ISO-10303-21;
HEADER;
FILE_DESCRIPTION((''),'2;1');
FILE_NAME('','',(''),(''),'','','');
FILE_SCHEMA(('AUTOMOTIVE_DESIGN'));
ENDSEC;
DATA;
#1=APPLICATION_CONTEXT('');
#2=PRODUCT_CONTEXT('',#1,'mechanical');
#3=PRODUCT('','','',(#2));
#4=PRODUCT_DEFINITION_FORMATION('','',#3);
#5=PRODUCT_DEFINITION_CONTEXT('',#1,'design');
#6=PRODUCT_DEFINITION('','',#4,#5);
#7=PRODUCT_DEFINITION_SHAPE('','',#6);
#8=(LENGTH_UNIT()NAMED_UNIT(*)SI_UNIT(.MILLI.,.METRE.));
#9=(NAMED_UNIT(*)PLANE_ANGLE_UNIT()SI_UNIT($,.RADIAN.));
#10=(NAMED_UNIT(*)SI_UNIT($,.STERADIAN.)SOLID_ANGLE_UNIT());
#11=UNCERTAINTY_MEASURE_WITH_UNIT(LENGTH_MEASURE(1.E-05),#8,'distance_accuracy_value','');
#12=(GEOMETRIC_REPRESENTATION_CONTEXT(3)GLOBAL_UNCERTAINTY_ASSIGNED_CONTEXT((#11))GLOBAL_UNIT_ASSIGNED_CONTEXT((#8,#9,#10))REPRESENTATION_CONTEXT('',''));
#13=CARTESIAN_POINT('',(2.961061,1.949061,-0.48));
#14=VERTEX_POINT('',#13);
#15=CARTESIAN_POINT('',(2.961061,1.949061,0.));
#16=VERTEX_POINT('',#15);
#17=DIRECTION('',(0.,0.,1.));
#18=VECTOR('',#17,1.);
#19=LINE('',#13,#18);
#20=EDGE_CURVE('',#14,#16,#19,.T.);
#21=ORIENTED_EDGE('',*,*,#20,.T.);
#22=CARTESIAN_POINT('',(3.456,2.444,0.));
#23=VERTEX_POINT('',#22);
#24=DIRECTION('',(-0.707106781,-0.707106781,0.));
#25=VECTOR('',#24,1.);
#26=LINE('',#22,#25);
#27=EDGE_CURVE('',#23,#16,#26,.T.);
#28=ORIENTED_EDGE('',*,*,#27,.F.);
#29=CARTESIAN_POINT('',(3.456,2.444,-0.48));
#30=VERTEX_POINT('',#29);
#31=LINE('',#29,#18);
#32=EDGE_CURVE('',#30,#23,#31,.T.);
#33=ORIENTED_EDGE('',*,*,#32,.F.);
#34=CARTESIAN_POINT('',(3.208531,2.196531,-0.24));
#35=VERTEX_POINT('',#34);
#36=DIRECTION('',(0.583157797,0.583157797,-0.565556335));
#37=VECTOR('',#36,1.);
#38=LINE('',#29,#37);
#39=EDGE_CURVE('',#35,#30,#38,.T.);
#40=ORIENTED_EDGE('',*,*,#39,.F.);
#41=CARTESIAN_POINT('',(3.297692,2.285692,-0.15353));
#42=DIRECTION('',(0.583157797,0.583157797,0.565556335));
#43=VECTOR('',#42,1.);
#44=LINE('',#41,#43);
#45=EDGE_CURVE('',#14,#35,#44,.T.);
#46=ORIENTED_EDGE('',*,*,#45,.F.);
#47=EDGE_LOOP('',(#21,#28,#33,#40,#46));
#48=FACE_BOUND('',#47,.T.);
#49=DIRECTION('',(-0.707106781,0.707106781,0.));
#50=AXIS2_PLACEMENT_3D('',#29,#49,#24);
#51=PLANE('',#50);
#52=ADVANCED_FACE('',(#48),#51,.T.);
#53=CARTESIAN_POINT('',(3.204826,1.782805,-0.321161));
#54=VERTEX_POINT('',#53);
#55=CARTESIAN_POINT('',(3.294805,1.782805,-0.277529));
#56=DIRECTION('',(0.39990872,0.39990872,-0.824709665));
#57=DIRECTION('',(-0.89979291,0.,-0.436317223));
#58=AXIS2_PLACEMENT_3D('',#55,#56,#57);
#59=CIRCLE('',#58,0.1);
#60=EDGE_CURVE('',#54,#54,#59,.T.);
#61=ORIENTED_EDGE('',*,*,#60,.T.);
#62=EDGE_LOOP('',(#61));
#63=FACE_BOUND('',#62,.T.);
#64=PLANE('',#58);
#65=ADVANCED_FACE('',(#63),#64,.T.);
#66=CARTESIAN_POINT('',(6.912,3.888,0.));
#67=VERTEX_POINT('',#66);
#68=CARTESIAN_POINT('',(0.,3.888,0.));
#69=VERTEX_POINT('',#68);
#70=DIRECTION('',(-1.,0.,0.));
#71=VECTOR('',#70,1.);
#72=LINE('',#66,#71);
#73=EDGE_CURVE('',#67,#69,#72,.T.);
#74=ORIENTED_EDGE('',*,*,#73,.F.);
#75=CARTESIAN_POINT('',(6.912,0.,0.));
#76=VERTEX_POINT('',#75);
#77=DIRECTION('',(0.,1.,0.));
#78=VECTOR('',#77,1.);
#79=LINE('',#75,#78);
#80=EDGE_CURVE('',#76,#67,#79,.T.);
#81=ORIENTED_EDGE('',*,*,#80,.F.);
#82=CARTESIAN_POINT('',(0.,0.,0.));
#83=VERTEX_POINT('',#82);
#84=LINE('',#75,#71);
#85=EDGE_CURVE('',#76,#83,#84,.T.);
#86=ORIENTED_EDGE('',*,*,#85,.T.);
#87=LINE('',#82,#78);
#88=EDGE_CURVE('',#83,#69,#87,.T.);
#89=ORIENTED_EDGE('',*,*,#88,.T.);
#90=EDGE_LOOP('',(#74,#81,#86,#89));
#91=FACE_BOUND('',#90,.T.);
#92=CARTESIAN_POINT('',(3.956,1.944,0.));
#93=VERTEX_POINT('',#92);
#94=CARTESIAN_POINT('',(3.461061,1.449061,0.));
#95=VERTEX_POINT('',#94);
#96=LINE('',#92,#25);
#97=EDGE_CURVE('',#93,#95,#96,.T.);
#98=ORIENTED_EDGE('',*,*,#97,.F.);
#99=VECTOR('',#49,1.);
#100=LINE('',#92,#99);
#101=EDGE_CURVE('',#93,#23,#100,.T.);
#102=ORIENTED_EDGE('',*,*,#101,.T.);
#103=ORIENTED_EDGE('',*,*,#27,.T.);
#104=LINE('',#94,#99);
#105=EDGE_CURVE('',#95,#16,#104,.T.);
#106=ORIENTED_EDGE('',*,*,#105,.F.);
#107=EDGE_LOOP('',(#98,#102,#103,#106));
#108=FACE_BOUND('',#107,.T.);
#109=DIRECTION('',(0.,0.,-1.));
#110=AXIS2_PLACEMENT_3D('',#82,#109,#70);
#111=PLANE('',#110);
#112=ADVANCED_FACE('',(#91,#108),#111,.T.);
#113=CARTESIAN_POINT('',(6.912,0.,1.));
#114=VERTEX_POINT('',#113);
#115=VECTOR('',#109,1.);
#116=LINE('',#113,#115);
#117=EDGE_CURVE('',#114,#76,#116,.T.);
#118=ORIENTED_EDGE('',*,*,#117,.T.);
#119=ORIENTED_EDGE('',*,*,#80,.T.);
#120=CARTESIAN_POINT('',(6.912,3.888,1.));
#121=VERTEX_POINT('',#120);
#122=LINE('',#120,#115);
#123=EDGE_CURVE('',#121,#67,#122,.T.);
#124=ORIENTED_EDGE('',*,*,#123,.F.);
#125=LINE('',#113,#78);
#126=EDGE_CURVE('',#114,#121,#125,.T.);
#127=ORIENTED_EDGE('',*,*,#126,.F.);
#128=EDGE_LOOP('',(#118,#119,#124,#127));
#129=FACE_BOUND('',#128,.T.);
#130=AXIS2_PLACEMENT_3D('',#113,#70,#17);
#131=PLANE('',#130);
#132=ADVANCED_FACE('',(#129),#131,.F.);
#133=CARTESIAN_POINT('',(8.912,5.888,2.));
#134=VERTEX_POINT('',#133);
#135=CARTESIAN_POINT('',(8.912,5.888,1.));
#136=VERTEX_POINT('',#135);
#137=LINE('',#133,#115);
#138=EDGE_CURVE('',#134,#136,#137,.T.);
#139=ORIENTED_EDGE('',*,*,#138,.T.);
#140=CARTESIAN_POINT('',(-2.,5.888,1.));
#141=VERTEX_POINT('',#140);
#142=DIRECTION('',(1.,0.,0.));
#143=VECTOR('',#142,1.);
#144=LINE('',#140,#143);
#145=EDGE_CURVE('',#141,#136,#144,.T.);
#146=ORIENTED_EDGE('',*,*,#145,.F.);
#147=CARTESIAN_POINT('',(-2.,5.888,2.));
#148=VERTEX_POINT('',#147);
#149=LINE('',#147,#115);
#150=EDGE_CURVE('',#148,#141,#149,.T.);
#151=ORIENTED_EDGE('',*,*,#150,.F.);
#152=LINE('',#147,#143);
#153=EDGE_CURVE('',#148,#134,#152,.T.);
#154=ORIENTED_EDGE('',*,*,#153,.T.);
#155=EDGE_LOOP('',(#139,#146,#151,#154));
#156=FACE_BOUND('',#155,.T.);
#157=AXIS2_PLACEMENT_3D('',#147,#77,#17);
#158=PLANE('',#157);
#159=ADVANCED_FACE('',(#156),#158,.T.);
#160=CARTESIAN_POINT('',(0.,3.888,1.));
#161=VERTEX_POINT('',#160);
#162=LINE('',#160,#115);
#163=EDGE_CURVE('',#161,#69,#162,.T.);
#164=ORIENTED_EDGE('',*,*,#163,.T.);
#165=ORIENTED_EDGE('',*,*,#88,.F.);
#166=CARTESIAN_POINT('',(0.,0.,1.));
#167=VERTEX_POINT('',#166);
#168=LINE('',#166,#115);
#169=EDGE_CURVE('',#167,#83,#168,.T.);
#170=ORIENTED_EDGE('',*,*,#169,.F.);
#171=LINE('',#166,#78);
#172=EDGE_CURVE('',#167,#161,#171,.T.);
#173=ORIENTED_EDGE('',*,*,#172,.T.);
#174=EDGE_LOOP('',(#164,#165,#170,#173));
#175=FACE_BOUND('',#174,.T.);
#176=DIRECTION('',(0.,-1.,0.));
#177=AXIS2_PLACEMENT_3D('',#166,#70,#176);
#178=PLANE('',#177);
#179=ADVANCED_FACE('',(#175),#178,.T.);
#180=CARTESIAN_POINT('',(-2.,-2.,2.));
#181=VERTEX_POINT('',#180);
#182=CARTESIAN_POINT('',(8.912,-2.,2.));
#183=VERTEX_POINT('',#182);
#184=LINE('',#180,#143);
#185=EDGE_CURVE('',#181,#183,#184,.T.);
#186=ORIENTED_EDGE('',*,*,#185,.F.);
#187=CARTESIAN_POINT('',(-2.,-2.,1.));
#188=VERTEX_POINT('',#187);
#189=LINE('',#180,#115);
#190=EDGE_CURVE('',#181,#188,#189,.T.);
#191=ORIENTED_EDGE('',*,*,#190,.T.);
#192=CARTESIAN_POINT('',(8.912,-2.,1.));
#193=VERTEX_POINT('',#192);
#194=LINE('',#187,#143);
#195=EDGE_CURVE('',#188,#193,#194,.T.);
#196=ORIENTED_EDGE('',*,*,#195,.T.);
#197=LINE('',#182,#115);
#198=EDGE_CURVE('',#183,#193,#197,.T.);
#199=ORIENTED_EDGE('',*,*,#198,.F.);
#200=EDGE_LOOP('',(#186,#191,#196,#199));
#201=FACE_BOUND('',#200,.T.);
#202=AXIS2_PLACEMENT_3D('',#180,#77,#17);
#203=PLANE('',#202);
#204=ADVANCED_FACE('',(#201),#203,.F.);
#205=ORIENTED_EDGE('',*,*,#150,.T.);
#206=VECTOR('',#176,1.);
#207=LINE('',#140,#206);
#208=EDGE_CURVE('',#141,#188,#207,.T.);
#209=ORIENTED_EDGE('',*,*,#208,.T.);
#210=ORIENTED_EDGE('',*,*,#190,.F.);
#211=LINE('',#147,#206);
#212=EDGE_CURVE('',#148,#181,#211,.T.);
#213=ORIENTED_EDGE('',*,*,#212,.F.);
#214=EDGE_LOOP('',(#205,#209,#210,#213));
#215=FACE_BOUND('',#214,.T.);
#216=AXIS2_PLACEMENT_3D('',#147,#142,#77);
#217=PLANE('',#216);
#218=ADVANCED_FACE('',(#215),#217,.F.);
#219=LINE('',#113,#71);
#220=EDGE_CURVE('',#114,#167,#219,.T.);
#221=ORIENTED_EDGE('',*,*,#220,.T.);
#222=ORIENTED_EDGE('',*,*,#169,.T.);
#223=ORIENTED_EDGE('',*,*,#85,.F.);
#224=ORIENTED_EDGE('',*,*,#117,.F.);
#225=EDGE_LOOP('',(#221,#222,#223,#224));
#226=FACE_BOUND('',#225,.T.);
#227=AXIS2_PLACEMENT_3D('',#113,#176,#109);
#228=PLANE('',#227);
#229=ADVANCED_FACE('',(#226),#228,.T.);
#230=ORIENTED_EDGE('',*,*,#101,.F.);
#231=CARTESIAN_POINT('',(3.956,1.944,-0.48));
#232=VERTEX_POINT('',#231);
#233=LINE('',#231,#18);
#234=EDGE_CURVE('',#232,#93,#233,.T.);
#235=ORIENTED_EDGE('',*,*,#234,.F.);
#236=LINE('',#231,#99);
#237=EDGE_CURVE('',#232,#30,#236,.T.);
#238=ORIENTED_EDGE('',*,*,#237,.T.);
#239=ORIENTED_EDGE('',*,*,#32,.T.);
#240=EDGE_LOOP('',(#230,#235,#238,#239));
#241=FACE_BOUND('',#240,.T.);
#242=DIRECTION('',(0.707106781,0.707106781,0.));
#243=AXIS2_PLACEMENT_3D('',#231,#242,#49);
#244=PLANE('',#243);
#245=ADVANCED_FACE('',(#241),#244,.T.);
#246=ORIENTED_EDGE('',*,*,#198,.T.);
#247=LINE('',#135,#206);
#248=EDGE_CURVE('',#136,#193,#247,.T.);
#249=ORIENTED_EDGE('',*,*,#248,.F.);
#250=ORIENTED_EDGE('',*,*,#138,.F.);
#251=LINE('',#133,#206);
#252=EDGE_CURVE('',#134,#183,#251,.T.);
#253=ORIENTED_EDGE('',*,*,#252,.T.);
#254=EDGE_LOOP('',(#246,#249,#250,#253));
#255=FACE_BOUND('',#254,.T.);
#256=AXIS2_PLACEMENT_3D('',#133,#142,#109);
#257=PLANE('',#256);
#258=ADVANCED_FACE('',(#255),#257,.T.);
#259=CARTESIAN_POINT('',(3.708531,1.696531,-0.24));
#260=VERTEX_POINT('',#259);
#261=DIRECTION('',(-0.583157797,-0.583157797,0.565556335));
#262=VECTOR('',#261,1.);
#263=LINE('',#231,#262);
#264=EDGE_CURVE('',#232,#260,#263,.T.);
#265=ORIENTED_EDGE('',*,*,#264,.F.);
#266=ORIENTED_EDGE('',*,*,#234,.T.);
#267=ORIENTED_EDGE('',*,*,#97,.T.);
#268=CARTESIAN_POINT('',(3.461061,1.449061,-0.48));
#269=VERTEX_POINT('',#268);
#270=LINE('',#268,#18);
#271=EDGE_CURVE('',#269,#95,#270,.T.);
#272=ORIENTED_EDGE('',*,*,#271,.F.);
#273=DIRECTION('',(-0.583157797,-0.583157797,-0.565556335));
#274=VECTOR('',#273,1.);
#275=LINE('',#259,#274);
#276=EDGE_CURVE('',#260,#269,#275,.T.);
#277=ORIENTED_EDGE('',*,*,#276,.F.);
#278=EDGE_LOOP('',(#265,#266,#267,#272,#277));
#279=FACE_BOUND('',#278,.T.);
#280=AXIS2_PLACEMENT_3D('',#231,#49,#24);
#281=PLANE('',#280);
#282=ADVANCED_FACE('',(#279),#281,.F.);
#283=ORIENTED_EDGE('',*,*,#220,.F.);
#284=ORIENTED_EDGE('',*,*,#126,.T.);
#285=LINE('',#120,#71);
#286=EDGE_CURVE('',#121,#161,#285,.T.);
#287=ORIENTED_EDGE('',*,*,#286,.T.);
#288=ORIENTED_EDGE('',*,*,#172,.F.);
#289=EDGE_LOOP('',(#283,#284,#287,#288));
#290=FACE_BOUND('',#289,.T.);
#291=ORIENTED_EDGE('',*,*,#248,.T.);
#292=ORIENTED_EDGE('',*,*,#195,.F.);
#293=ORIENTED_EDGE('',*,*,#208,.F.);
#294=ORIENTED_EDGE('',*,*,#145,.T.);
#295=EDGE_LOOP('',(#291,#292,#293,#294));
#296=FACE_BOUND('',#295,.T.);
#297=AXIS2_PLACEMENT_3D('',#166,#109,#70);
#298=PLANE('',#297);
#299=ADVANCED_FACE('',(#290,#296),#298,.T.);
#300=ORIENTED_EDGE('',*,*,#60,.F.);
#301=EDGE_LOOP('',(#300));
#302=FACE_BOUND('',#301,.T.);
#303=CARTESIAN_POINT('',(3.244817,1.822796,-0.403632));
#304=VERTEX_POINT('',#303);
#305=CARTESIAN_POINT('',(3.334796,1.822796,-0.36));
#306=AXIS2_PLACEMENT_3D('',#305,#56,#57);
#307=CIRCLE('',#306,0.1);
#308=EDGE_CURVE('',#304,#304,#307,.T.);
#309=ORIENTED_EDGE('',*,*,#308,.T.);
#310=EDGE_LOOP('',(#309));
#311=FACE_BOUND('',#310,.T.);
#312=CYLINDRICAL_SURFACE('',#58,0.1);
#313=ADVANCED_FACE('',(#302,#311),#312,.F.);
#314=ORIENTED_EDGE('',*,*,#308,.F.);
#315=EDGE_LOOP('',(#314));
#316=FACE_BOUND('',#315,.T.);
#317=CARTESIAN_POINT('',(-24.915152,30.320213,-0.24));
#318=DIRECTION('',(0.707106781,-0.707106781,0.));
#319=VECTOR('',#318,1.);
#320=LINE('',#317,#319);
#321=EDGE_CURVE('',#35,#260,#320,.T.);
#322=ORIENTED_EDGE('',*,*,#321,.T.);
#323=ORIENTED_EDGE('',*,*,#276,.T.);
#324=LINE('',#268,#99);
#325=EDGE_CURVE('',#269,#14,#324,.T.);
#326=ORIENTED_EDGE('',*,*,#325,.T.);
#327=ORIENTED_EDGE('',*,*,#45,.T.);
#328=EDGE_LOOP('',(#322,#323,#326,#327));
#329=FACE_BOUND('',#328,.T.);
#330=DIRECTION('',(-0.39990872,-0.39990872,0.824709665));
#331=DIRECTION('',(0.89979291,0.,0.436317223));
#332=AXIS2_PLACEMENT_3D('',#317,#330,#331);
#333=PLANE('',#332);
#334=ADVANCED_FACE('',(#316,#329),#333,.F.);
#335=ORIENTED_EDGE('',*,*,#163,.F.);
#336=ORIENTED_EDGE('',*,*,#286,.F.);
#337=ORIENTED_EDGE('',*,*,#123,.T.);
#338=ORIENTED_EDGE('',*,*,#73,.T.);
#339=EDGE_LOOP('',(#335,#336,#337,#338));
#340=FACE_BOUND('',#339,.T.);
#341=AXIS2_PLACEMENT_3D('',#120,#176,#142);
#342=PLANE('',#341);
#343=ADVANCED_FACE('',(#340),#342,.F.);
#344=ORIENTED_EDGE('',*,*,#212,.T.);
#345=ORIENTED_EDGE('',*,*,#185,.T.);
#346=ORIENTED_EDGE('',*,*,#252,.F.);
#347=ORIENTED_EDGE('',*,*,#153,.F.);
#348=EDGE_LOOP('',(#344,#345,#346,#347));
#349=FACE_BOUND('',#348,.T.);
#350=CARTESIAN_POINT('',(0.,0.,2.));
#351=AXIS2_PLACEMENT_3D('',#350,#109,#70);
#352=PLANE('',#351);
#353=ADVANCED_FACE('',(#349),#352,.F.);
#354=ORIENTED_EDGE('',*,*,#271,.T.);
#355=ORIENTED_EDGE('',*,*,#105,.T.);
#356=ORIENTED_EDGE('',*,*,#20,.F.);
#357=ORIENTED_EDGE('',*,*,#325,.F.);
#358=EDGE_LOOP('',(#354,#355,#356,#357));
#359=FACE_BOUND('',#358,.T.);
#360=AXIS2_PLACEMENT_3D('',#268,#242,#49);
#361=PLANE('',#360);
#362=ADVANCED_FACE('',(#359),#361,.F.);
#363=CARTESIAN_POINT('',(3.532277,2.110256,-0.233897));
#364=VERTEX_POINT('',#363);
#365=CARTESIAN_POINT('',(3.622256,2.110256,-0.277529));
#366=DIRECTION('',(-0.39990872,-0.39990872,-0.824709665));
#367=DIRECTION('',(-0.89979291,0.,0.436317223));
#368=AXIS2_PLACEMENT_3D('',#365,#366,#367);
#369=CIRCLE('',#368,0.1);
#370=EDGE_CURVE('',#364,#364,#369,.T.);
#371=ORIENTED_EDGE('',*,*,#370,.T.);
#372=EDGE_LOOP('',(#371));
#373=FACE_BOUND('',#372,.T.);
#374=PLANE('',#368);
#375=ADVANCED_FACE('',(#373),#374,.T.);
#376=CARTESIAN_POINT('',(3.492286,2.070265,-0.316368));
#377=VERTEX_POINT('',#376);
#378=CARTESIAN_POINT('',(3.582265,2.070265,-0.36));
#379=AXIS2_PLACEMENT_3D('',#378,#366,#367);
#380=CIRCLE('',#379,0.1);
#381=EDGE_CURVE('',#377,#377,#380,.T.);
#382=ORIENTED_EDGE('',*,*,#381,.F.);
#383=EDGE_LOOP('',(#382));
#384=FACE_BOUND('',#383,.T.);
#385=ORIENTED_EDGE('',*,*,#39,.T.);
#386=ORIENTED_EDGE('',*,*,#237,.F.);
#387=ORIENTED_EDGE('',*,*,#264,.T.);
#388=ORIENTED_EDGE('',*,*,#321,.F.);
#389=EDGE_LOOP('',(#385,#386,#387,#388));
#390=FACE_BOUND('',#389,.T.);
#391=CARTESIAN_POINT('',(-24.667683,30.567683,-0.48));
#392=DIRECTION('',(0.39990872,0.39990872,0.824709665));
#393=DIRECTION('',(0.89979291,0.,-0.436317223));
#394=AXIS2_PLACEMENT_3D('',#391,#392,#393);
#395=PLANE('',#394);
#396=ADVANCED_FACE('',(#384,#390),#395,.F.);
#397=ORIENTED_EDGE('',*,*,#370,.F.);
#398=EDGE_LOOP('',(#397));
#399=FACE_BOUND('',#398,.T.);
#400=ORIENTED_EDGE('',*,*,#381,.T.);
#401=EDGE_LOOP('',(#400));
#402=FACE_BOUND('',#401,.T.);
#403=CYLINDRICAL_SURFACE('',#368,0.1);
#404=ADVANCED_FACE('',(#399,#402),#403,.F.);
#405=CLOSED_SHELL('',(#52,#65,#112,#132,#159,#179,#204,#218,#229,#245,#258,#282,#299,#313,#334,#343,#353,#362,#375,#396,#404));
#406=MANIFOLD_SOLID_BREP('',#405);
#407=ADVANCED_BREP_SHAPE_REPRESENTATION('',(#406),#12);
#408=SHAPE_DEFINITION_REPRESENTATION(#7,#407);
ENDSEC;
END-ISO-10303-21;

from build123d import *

# Parameters (mm, degrees)
SKIZZE1_W                       = 6.912
SKIZZE1_H                       = 3.888
AUFSATZ_LINEAR_AUSTRAGEN1_DEPTH = 1
SKIZZE2_W                       = 10.912
SKIZZE2_H                       = 7.888
AUFSATZ_LINEAR_AUSTRAGEN2_DEPTH = 1
AUFSATZ_LINEAR_AUSTRAGEN3_DEPTH = 0.48
SCHNITT_LINEAR_AUSTRAGEN1_DEPTH = 40.48
SKIZZE7_R                       = 0.1
SCHNITT_LINEAR_AUSTRAGEN2_DEPTH = 0.1
SKIZZE8_R                       = 0.1
SCHNITT_LINEAR_AUSTRAGEN3_DEPTH = 0.1


with BuildPart() as part:
    # Skizze1 → Aufsatz-Linear austragen1 (new body)
    with BuildSketch(Plane.XY):
        with Locations((3.456, 1.944)):
            Rectangle(SKIZZE1_W, SKIZZE1_H)
    extrude(amount=AUFSATZ_LINEAR_AUSTRAGEN1_DEPTH)

    # Skizze2 → Aufsatz-Linear austragen2 (add)
    with BuildSketch(Plane.XY.offset(1)):
        with Locations((3.456, 1.944)):
            Rectangle(SKIZZE2_W, SKIZZE2_H)
    extrude(amount=AUFSATZ_LINEAR_AUSTRAGEN2_DEPTH)

    # Skizze3 → Aufsatz-Linear austragen3 (add)
    with BuildSketch(Plane(origin=(0, 0, 0), x_dir=(-1, 0, 0), z_dir=(0, 0, -1))):
        Polygon((-3.956, 1.944), (-3.456, 2.444), (-2.961061255, 1.949061255), (-3.461061255, 1.449061255), align=None)
    extrude(amount=AUFSATZ_LINEAR_AUSTRAGEN3_DEPTH)

    # Skizze6 → Schnitt-Linear austragen1 (cut)
    with BuildSketch(Plane(origin=(1.006, -1.006, 0), x_dir=(0, 0, -1), z_dir=(0.7071067811865474, -0.7071067811865477, 0))):
        Polygon((0.48, 4.171930009), (0.24, 3.821955466), (0.48, 3.471980924), align=None)
    extrude(amount=-SCHNITT_LINEAR_AUSTRAGEN1_DEPTH, mode=Mode.SUBTRACT)

    # Skizze7 → Schnitt-Linear austragen2 (cut)
    with BuildSketch(Plane(origin=(0.943569205, 0.943569205, -1.945870659), x_dir=(-0.916554971633356, 0.17448706179529924, -0.35983503059071614), z_dir=(0.3999087195525726, 0.3999087195525724, -0.8247096653075213))):
        with Locations(Location((-2.60892888, 1.483064665, 0), (0, 0, 349.02546357))):
            Circle(SKIZZE7_R)
    extrude(amount=-SCHNITT_LINEAR_AUSTRAGEN2_DEPTH, mode=Mode.SUBTRACT)

    # Skizze8 → Schnitt-Linear austragen3 (cut)
    with BuildSketch(Plane(origin=(0.785261084, 0.785261084, 1.619400564), x_dir=(-0.916554971633356, 0.17448706179529927, 0.3598350305907162), z_dir=(-0.3999087195525727, -0.3999087195525724, -0.8247096653075213))):
        with Locations(Location((-3.051649182, 2.019884252, 0), (0, 0, 349.02546357))):
            Circle(SKIZZE8_R)
    extrude(amount=-SCHNITT_LINEAR_AUSTRAGEN3_DEPTH, mode=Mode.SUBTRACT)


solid = part.part
